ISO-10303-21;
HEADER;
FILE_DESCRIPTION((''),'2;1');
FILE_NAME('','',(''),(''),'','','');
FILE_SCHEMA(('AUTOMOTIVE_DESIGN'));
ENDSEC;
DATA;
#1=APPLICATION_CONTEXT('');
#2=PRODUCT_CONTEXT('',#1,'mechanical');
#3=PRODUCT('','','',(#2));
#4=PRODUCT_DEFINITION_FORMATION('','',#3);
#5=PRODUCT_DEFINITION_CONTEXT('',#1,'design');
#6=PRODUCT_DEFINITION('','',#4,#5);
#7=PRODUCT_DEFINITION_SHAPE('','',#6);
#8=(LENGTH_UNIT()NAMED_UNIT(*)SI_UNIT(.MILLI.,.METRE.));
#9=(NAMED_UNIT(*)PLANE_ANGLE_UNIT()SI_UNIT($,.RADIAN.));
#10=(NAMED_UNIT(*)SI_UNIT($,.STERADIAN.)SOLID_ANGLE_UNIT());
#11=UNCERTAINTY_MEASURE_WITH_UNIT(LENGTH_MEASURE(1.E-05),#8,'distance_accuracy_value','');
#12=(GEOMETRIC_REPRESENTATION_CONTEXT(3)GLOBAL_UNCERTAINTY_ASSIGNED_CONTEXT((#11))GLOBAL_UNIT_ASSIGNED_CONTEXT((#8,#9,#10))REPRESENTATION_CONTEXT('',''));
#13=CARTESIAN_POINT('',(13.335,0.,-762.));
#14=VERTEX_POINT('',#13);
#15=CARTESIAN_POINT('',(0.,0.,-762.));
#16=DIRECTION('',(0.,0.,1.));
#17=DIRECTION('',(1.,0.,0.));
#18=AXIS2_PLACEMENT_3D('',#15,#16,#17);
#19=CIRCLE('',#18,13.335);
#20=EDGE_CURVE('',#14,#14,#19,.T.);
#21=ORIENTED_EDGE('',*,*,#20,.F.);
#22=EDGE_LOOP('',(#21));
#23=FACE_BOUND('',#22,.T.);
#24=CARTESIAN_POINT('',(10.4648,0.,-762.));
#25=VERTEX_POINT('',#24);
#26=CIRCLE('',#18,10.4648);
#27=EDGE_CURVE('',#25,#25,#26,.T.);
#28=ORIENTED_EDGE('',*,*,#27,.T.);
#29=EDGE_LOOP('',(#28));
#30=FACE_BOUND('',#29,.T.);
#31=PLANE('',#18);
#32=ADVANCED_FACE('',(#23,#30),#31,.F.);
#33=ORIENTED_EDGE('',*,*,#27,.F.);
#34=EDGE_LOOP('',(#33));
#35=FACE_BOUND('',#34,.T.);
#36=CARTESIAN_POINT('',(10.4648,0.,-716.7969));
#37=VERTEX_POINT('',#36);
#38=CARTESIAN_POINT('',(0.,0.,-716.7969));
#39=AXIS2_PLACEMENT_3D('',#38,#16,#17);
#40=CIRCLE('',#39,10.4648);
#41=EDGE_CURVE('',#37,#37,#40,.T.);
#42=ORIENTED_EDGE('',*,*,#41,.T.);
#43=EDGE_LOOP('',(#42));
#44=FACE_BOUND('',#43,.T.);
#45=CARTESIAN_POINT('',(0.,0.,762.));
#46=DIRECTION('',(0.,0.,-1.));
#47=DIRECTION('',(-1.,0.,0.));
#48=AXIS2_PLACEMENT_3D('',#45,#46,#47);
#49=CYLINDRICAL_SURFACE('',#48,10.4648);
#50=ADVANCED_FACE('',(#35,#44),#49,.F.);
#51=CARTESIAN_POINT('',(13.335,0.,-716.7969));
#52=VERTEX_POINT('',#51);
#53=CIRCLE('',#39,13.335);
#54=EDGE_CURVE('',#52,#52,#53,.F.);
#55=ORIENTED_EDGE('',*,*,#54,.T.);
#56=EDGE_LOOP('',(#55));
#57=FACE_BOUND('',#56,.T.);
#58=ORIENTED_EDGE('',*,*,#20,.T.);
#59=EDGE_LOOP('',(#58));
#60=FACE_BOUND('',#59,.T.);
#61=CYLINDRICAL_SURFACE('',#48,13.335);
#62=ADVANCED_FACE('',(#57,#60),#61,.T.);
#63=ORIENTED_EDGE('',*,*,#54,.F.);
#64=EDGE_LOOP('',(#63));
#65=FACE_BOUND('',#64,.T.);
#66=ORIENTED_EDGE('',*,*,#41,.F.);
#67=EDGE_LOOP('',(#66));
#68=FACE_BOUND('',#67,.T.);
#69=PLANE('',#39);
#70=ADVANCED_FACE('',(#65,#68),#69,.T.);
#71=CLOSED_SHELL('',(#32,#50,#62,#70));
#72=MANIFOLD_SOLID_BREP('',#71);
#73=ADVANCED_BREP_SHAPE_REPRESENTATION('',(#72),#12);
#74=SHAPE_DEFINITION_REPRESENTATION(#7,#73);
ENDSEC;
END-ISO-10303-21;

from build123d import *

# Parameters (mm, degrees)
SKETCH3_R                = 13.335
SKETCH3_R_2              = 10.4648
BOSS_EXTRUDE1_DEPTH      = 762
BOSS_EXTRUDE1_DEPTH_BACK = 762
SKETCH4_R                = 13.335
CUT_EXTRUDE2_DEPTH       = 1478.7969


with BuildPart() as part:
    # Sketch3 → Boss-Extrude1 (new body, two sides)
    with BuildSketch(Plane.XY) as boss_extrude1_sk:
        Circle(SKETCH3_R)
        Circle(SKETCH3_R_2, mode=Mode.SUBTRACT)
    extrude(amount=BOSS_EXTRUDE1_DEPTH)
    extrude(boss_extrude1_sk.sketch, amount=-BOSS_EXTRUDE1_DEPTH_BACK)

    # Sketch4 → Cut-Extrude2 (cut)
    with BuildSketch(Plane.XY.offset(762)):
        Circle(SKETCH4_R)
    extrude(amount=-CUT_EXTRUDE2_DEPTH, mode=Mode.SUBTRACT)


solid = part.part
